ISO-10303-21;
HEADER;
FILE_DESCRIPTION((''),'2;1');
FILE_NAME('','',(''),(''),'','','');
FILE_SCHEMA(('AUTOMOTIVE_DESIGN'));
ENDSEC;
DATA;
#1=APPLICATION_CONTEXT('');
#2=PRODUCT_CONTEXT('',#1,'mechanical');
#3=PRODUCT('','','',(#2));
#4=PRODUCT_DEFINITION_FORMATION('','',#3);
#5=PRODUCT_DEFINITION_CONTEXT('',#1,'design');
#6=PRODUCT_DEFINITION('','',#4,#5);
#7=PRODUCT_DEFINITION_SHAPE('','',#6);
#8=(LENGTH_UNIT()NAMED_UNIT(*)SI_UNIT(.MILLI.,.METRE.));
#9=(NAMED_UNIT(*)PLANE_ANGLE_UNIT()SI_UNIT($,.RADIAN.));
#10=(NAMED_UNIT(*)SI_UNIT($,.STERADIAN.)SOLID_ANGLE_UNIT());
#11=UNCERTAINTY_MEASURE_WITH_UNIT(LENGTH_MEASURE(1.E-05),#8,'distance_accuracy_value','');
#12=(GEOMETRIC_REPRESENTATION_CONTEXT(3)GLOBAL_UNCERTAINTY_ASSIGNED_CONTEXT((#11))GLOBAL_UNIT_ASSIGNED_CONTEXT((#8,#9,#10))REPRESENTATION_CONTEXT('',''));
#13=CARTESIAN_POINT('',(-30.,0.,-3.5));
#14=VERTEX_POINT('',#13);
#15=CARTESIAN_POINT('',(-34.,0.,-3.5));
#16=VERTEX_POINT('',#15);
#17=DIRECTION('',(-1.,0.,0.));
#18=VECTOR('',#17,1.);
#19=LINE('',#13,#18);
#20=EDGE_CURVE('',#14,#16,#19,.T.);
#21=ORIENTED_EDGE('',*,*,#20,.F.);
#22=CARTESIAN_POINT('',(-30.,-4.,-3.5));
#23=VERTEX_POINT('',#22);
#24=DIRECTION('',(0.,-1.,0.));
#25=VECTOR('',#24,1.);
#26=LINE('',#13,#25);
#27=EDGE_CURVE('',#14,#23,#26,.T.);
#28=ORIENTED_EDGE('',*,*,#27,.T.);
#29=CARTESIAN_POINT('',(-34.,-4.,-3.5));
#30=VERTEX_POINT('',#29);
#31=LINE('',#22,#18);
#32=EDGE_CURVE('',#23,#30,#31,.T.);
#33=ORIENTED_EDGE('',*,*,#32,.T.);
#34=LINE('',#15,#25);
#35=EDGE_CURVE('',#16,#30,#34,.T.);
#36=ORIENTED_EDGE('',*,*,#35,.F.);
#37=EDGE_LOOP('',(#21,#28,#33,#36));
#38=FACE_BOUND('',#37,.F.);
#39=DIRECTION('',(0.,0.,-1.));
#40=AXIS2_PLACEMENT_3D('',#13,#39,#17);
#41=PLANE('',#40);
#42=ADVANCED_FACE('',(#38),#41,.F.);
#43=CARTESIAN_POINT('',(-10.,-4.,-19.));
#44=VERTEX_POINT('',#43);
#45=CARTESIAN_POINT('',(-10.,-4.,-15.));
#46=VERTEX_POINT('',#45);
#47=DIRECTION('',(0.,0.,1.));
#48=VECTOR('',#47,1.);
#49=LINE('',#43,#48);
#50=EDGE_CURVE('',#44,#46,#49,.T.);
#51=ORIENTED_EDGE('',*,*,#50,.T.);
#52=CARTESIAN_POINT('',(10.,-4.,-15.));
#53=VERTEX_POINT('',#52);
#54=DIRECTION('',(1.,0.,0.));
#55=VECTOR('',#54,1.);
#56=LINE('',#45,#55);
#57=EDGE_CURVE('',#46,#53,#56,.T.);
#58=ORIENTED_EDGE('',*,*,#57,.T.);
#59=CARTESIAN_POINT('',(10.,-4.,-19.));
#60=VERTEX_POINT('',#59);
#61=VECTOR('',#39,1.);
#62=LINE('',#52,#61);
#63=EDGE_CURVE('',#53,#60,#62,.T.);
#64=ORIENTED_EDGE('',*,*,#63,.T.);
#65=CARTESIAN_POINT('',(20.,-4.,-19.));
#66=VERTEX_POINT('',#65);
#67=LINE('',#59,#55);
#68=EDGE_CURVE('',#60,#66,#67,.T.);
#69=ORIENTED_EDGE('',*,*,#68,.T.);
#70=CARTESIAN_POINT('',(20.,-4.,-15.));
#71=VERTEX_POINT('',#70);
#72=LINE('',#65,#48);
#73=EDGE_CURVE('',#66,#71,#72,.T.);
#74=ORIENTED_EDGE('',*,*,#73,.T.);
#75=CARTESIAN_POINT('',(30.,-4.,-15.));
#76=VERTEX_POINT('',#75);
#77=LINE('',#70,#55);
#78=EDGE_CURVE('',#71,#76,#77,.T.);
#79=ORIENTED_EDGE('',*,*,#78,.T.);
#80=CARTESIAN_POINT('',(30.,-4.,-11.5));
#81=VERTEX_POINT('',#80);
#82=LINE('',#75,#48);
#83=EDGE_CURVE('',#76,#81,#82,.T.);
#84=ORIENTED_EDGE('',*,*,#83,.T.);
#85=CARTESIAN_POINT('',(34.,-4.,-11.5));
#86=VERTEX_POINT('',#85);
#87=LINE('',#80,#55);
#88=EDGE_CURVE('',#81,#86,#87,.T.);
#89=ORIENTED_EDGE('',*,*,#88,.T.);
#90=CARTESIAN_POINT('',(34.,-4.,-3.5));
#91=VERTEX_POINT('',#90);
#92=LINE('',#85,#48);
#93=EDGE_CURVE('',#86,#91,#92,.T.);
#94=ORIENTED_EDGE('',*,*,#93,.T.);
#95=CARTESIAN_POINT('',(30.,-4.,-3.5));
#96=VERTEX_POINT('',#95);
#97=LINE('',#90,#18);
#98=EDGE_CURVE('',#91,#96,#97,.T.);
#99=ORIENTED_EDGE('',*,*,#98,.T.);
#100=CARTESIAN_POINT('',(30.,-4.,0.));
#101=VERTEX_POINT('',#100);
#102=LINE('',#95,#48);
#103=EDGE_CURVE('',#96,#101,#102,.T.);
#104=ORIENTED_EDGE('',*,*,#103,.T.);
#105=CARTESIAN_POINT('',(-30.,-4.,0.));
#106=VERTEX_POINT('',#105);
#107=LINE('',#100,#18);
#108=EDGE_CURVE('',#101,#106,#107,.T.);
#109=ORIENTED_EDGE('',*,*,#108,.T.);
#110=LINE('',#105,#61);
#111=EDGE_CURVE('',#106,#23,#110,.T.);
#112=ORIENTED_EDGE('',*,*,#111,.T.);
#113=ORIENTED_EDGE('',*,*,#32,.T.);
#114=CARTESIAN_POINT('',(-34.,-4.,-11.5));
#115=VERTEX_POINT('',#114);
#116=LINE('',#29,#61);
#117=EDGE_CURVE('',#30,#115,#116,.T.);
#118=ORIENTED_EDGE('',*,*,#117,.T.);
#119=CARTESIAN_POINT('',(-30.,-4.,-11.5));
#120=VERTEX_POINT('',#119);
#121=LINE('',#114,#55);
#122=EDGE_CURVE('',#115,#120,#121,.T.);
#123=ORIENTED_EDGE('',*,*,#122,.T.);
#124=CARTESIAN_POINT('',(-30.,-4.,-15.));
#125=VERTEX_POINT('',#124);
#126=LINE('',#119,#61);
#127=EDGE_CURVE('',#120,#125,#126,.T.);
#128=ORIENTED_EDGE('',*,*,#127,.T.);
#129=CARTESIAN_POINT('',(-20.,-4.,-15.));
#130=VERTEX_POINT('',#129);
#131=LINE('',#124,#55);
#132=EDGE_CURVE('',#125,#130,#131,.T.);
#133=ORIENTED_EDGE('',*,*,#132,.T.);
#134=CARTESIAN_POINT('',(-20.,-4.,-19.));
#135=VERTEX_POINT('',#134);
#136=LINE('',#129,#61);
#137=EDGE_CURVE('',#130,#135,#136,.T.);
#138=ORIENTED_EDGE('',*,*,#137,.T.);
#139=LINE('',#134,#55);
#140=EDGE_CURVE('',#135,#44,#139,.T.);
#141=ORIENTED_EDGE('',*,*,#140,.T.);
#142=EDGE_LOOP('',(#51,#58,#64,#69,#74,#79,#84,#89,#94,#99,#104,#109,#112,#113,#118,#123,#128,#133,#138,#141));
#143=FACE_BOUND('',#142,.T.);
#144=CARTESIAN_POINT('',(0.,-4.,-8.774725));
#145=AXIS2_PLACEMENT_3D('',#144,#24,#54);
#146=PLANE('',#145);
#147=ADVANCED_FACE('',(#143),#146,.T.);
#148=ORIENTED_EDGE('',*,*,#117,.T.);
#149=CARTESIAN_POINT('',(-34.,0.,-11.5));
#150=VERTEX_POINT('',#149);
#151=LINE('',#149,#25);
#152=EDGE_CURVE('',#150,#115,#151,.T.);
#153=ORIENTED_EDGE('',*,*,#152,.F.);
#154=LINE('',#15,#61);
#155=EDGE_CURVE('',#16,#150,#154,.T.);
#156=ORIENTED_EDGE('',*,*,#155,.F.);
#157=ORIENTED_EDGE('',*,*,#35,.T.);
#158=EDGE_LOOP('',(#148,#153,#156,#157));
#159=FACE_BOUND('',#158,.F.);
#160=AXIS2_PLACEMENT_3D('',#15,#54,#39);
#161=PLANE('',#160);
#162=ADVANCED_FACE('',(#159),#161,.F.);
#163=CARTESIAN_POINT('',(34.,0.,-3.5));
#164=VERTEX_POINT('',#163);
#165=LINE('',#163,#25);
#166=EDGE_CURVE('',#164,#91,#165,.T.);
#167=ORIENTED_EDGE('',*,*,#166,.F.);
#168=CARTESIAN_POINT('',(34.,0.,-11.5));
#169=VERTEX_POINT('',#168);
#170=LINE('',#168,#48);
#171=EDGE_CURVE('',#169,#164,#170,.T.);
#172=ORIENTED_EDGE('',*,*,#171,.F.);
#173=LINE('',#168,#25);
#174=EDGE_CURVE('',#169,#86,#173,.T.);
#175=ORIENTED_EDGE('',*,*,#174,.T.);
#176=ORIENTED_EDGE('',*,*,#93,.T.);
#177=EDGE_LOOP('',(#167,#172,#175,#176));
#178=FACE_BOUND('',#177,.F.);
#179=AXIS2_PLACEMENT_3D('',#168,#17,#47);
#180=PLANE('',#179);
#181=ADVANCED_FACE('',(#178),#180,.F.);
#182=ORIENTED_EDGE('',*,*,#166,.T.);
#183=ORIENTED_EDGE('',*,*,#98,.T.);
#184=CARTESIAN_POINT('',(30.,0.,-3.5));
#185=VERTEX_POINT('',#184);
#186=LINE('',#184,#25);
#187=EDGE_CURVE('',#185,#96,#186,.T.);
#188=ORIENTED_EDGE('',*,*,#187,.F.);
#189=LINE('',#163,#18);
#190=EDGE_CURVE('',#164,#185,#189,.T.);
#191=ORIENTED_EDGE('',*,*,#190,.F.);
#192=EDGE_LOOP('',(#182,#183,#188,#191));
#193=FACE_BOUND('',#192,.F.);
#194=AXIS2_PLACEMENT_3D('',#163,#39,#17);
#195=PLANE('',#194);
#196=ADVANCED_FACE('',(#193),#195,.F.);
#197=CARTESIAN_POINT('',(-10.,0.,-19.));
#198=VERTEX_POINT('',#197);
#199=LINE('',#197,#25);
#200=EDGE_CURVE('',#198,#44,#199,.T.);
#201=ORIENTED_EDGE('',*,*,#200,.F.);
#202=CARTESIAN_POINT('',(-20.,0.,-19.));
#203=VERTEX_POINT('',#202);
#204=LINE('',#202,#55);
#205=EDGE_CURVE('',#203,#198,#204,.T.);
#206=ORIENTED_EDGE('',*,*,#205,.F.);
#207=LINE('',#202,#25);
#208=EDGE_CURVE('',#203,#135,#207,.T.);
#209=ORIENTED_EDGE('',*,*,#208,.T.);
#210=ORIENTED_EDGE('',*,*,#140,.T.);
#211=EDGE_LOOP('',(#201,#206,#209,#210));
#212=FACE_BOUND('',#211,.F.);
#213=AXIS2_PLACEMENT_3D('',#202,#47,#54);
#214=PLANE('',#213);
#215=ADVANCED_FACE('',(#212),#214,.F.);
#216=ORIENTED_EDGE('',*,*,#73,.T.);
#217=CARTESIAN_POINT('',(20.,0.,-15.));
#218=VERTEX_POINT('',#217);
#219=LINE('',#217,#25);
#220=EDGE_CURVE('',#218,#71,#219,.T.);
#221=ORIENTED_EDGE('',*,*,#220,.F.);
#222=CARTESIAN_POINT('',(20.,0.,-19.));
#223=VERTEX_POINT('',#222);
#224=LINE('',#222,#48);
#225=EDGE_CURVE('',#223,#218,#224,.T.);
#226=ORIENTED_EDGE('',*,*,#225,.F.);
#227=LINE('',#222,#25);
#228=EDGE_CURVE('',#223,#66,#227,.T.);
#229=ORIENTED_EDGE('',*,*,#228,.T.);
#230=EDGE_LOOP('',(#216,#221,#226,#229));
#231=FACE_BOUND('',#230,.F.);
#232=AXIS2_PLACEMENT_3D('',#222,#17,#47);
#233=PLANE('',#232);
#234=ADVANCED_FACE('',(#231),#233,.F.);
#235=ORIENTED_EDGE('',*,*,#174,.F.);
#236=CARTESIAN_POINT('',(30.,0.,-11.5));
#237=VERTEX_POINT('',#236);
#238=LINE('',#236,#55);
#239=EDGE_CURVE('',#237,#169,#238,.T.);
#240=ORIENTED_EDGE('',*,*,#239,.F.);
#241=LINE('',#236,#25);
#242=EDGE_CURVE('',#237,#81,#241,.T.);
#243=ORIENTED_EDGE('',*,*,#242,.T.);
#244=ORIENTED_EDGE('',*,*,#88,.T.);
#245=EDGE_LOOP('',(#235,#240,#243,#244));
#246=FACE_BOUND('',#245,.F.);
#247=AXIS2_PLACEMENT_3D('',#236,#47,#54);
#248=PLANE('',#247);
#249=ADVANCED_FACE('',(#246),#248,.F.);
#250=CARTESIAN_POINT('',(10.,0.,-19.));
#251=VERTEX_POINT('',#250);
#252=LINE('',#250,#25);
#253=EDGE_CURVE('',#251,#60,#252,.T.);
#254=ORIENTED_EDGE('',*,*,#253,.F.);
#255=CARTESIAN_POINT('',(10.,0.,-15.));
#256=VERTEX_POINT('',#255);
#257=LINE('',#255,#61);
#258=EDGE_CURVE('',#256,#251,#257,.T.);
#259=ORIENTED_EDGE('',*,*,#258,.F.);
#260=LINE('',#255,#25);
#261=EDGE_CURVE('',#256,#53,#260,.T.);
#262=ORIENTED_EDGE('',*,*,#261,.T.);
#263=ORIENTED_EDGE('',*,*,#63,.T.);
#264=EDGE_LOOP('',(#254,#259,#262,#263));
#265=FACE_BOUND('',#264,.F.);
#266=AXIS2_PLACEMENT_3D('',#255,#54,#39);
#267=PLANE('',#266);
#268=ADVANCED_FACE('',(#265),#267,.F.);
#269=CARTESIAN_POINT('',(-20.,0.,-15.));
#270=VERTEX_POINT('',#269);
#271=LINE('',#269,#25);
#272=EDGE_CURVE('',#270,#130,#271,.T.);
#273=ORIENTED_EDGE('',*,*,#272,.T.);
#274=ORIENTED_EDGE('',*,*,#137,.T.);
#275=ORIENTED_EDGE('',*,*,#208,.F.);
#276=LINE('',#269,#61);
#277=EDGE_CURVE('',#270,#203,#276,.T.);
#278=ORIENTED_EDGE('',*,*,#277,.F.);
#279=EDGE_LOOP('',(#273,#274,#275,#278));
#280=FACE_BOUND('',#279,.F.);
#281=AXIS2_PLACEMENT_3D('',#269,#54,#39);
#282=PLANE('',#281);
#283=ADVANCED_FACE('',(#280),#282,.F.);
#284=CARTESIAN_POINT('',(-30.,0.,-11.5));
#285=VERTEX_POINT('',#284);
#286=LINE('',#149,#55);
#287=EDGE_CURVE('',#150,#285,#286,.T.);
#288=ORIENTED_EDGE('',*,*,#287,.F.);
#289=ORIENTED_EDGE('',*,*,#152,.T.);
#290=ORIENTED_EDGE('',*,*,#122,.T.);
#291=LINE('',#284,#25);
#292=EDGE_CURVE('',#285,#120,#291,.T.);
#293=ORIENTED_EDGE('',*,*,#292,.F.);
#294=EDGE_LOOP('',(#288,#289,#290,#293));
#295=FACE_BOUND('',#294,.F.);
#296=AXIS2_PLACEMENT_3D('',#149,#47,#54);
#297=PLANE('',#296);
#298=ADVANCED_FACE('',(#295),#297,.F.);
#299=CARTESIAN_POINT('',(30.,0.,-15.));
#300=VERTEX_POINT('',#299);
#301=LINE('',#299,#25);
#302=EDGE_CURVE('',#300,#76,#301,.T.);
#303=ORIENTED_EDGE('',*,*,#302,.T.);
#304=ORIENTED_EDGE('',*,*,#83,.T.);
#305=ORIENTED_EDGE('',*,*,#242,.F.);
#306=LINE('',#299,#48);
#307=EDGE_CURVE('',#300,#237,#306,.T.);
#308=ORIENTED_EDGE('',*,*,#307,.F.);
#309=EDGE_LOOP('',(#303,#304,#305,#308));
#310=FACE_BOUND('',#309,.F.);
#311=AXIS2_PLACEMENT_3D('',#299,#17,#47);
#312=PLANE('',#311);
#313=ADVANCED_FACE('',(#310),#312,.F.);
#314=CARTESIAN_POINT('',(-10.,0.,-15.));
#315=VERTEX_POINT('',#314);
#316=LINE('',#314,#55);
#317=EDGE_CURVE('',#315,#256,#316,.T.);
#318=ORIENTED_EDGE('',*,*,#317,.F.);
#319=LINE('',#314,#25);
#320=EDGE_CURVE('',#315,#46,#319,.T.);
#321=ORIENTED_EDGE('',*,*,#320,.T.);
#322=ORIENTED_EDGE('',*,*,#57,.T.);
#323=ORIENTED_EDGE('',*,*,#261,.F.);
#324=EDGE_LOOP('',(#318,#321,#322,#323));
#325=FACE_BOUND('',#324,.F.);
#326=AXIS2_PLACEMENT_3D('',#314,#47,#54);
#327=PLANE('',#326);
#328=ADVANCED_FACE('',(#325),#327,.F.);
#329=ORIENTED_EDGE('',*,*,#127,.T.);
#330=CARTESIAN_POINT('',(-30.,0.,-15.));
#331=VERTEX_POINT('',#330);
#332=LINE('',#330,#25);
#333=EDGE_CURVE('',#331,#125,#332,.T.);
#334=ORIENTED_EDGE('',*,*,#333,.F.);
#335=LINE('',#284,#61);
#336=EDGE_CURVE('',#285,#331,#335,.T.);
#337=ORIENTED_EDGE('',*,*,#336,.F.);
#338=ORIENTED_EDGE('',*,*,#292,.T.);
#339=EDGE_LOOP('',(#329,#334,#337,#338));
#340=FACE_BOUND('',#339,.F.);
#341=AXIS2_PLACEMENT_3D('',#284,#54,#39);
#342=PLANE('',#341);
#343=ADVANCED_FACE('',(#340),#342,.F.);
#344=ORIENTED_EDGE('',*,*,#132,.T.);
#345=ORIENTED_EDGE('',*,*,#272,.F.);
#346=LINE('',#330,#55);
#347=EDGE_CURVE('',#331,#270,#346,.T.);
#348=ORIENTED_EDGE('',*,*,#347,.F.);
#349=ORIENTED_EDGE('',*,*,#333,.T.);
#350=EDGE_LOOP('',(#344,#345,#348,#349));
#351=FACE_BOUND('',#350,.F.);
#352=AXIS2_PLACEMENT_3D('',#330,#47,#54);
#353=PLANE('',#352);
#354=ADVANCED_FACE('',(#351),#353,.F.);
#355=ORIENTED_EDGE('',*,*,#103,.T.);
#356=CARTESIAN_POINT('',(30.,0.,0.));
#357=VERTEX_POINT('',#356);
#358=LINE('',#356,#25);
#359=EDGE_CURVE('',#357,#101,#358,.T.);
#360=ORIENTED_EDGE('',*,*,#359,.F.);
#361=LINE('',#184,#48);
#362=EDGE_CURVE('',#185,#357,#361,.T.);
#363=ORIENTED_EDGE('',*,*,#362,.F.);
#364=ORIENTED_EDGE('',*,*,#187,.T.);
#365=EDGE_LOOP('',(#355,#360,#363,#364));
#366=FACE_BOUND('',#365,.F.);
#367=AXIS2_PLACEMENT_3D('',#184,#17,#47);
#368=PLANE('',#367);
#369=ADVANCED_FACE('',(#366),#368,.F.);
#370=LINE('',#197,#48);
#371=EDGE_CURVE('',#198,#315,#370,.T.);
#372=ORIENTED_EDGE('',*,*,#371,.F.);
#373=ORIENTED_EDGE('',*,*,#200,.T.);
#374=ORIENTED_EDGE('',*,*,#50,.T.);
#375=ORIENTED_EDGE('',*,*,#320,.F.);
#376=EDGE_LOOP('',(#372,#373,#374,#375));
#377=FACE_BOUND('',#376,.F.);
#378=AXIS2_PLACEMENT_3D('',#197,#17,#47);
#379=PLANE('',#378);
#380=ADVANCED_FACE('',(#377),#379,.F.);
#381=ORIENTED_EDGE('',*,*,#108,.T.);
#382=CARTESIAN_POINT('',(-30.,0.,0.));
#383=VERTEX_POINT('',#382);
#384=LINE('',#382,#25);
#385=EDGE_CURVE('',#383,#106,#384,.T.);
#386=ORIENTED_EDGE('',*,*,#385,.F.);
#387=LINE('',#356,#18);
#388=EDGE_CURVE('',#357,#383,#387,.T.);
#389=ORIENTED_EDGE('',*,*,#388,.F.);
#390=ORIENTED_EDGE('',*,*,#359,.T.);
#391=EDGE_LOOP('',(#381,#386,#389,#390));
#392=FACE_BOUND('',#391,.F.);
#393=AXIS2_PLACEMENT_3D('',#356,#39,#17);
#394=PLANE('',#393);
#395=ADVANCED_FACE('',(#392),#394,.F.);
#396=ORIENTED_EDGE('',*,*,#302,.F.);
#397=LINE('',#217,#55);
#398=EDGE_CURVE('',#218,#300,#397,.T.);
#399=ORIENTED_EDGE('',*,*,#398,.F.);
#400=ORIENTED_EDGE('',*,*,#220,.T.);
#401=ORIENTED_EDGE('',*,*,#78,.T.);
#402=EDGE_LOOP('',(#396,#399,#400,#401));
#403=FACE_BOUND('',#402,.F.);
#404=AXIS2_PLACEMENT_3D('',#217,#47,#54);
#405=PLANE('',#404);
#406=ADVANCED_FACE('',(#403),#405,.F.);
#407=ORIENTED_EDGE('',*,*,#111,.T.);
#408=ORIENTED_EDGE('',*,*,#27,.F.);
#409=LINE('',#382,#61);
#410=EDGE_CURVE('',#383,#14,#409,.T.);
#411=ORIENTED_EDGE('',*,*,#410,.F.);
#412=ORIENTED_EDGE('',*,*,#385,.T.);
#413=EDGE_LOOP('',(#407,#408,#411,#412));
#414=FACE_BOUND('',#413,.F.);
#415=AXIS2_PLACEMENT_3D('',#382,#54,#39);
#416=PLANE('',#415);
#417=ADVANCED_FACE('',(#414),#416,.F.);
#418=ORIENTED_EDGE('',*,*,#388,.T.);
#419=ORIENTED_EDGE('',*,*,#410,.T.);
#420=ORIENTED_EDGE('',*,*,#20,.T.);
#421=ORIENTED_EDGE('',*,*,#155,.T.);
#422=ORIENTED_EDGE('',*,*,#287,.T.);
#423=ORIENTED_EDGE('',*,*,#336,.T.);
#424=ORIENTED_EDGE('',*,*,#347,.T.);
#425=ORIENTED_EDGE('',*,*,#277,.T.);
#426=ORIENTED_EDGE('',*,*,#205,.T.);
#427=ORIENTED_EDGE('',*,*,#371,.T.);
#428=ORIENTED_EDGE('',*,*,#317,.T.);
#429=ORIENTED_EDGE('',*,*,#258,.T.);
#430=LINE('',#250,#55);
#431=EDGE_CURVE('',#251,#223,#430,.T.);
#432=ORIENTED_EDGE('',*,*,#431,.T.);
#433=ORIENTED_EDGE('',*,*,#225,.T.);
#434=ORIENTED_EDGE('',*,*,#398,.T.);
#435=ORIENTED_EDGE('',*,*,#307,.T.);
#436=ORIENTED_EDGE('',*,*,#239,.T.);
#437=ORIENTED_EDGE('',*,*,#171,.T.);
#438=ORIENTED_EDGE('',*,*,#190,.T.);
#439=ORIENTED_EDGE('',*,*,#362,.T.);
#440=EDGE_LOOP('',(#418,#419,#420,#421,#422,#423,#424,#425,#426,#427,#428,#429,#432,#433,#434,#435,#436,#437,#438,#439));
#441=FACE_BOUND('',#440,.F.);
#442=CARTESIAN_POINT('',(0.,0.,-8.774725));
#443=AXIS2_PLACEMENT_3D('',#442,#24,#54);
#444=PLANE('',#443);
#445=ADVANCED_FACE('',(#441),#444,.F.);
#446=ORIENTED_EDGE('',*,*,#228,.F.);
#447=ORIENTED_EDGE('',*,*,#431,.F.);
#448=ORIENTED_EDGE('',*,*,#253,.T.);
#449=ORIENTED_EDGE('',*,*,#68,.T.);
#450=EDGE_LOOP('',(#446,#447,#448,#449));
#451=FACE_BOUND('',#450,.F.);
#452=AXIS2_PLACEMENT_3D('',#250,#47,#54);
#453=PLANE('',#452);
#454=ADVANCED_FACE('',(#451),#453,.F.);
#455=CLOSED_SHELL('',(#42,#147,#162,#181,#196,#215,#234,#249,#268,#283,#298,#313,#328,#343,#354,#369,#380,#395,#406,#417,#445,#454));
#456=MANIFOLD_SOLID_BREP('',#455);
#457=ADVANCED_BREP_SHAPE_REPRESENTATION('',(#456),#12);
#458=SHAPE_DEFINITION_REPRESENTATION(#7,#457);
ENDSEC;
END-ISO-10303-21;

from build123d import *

# Parameters (mm, degrees)
F1_DEPTH = 4


with BuildPart() as f1:
    # F0 (on Front) → F1 (new body)
    with BuildSketch(Plane.XZ):
        Polygon((30, 0), (0, 0), (-30, 0), (-30, -3.5), (-34, -3.5), (-34, -11.5), (-30, -11.5), (-30, -15), (-20, -15), (-20, -19), (-10, -19), (-10, -15), (0, -15), (10, -15), (10, -19), (20, -19), (20, -15), (30, -15), (30, -11.5), (34, -11.5), (34, -3.5), (30, -3.5), align=None)
    extrude(amount=F1_DEPTH)


solid = f1.part
